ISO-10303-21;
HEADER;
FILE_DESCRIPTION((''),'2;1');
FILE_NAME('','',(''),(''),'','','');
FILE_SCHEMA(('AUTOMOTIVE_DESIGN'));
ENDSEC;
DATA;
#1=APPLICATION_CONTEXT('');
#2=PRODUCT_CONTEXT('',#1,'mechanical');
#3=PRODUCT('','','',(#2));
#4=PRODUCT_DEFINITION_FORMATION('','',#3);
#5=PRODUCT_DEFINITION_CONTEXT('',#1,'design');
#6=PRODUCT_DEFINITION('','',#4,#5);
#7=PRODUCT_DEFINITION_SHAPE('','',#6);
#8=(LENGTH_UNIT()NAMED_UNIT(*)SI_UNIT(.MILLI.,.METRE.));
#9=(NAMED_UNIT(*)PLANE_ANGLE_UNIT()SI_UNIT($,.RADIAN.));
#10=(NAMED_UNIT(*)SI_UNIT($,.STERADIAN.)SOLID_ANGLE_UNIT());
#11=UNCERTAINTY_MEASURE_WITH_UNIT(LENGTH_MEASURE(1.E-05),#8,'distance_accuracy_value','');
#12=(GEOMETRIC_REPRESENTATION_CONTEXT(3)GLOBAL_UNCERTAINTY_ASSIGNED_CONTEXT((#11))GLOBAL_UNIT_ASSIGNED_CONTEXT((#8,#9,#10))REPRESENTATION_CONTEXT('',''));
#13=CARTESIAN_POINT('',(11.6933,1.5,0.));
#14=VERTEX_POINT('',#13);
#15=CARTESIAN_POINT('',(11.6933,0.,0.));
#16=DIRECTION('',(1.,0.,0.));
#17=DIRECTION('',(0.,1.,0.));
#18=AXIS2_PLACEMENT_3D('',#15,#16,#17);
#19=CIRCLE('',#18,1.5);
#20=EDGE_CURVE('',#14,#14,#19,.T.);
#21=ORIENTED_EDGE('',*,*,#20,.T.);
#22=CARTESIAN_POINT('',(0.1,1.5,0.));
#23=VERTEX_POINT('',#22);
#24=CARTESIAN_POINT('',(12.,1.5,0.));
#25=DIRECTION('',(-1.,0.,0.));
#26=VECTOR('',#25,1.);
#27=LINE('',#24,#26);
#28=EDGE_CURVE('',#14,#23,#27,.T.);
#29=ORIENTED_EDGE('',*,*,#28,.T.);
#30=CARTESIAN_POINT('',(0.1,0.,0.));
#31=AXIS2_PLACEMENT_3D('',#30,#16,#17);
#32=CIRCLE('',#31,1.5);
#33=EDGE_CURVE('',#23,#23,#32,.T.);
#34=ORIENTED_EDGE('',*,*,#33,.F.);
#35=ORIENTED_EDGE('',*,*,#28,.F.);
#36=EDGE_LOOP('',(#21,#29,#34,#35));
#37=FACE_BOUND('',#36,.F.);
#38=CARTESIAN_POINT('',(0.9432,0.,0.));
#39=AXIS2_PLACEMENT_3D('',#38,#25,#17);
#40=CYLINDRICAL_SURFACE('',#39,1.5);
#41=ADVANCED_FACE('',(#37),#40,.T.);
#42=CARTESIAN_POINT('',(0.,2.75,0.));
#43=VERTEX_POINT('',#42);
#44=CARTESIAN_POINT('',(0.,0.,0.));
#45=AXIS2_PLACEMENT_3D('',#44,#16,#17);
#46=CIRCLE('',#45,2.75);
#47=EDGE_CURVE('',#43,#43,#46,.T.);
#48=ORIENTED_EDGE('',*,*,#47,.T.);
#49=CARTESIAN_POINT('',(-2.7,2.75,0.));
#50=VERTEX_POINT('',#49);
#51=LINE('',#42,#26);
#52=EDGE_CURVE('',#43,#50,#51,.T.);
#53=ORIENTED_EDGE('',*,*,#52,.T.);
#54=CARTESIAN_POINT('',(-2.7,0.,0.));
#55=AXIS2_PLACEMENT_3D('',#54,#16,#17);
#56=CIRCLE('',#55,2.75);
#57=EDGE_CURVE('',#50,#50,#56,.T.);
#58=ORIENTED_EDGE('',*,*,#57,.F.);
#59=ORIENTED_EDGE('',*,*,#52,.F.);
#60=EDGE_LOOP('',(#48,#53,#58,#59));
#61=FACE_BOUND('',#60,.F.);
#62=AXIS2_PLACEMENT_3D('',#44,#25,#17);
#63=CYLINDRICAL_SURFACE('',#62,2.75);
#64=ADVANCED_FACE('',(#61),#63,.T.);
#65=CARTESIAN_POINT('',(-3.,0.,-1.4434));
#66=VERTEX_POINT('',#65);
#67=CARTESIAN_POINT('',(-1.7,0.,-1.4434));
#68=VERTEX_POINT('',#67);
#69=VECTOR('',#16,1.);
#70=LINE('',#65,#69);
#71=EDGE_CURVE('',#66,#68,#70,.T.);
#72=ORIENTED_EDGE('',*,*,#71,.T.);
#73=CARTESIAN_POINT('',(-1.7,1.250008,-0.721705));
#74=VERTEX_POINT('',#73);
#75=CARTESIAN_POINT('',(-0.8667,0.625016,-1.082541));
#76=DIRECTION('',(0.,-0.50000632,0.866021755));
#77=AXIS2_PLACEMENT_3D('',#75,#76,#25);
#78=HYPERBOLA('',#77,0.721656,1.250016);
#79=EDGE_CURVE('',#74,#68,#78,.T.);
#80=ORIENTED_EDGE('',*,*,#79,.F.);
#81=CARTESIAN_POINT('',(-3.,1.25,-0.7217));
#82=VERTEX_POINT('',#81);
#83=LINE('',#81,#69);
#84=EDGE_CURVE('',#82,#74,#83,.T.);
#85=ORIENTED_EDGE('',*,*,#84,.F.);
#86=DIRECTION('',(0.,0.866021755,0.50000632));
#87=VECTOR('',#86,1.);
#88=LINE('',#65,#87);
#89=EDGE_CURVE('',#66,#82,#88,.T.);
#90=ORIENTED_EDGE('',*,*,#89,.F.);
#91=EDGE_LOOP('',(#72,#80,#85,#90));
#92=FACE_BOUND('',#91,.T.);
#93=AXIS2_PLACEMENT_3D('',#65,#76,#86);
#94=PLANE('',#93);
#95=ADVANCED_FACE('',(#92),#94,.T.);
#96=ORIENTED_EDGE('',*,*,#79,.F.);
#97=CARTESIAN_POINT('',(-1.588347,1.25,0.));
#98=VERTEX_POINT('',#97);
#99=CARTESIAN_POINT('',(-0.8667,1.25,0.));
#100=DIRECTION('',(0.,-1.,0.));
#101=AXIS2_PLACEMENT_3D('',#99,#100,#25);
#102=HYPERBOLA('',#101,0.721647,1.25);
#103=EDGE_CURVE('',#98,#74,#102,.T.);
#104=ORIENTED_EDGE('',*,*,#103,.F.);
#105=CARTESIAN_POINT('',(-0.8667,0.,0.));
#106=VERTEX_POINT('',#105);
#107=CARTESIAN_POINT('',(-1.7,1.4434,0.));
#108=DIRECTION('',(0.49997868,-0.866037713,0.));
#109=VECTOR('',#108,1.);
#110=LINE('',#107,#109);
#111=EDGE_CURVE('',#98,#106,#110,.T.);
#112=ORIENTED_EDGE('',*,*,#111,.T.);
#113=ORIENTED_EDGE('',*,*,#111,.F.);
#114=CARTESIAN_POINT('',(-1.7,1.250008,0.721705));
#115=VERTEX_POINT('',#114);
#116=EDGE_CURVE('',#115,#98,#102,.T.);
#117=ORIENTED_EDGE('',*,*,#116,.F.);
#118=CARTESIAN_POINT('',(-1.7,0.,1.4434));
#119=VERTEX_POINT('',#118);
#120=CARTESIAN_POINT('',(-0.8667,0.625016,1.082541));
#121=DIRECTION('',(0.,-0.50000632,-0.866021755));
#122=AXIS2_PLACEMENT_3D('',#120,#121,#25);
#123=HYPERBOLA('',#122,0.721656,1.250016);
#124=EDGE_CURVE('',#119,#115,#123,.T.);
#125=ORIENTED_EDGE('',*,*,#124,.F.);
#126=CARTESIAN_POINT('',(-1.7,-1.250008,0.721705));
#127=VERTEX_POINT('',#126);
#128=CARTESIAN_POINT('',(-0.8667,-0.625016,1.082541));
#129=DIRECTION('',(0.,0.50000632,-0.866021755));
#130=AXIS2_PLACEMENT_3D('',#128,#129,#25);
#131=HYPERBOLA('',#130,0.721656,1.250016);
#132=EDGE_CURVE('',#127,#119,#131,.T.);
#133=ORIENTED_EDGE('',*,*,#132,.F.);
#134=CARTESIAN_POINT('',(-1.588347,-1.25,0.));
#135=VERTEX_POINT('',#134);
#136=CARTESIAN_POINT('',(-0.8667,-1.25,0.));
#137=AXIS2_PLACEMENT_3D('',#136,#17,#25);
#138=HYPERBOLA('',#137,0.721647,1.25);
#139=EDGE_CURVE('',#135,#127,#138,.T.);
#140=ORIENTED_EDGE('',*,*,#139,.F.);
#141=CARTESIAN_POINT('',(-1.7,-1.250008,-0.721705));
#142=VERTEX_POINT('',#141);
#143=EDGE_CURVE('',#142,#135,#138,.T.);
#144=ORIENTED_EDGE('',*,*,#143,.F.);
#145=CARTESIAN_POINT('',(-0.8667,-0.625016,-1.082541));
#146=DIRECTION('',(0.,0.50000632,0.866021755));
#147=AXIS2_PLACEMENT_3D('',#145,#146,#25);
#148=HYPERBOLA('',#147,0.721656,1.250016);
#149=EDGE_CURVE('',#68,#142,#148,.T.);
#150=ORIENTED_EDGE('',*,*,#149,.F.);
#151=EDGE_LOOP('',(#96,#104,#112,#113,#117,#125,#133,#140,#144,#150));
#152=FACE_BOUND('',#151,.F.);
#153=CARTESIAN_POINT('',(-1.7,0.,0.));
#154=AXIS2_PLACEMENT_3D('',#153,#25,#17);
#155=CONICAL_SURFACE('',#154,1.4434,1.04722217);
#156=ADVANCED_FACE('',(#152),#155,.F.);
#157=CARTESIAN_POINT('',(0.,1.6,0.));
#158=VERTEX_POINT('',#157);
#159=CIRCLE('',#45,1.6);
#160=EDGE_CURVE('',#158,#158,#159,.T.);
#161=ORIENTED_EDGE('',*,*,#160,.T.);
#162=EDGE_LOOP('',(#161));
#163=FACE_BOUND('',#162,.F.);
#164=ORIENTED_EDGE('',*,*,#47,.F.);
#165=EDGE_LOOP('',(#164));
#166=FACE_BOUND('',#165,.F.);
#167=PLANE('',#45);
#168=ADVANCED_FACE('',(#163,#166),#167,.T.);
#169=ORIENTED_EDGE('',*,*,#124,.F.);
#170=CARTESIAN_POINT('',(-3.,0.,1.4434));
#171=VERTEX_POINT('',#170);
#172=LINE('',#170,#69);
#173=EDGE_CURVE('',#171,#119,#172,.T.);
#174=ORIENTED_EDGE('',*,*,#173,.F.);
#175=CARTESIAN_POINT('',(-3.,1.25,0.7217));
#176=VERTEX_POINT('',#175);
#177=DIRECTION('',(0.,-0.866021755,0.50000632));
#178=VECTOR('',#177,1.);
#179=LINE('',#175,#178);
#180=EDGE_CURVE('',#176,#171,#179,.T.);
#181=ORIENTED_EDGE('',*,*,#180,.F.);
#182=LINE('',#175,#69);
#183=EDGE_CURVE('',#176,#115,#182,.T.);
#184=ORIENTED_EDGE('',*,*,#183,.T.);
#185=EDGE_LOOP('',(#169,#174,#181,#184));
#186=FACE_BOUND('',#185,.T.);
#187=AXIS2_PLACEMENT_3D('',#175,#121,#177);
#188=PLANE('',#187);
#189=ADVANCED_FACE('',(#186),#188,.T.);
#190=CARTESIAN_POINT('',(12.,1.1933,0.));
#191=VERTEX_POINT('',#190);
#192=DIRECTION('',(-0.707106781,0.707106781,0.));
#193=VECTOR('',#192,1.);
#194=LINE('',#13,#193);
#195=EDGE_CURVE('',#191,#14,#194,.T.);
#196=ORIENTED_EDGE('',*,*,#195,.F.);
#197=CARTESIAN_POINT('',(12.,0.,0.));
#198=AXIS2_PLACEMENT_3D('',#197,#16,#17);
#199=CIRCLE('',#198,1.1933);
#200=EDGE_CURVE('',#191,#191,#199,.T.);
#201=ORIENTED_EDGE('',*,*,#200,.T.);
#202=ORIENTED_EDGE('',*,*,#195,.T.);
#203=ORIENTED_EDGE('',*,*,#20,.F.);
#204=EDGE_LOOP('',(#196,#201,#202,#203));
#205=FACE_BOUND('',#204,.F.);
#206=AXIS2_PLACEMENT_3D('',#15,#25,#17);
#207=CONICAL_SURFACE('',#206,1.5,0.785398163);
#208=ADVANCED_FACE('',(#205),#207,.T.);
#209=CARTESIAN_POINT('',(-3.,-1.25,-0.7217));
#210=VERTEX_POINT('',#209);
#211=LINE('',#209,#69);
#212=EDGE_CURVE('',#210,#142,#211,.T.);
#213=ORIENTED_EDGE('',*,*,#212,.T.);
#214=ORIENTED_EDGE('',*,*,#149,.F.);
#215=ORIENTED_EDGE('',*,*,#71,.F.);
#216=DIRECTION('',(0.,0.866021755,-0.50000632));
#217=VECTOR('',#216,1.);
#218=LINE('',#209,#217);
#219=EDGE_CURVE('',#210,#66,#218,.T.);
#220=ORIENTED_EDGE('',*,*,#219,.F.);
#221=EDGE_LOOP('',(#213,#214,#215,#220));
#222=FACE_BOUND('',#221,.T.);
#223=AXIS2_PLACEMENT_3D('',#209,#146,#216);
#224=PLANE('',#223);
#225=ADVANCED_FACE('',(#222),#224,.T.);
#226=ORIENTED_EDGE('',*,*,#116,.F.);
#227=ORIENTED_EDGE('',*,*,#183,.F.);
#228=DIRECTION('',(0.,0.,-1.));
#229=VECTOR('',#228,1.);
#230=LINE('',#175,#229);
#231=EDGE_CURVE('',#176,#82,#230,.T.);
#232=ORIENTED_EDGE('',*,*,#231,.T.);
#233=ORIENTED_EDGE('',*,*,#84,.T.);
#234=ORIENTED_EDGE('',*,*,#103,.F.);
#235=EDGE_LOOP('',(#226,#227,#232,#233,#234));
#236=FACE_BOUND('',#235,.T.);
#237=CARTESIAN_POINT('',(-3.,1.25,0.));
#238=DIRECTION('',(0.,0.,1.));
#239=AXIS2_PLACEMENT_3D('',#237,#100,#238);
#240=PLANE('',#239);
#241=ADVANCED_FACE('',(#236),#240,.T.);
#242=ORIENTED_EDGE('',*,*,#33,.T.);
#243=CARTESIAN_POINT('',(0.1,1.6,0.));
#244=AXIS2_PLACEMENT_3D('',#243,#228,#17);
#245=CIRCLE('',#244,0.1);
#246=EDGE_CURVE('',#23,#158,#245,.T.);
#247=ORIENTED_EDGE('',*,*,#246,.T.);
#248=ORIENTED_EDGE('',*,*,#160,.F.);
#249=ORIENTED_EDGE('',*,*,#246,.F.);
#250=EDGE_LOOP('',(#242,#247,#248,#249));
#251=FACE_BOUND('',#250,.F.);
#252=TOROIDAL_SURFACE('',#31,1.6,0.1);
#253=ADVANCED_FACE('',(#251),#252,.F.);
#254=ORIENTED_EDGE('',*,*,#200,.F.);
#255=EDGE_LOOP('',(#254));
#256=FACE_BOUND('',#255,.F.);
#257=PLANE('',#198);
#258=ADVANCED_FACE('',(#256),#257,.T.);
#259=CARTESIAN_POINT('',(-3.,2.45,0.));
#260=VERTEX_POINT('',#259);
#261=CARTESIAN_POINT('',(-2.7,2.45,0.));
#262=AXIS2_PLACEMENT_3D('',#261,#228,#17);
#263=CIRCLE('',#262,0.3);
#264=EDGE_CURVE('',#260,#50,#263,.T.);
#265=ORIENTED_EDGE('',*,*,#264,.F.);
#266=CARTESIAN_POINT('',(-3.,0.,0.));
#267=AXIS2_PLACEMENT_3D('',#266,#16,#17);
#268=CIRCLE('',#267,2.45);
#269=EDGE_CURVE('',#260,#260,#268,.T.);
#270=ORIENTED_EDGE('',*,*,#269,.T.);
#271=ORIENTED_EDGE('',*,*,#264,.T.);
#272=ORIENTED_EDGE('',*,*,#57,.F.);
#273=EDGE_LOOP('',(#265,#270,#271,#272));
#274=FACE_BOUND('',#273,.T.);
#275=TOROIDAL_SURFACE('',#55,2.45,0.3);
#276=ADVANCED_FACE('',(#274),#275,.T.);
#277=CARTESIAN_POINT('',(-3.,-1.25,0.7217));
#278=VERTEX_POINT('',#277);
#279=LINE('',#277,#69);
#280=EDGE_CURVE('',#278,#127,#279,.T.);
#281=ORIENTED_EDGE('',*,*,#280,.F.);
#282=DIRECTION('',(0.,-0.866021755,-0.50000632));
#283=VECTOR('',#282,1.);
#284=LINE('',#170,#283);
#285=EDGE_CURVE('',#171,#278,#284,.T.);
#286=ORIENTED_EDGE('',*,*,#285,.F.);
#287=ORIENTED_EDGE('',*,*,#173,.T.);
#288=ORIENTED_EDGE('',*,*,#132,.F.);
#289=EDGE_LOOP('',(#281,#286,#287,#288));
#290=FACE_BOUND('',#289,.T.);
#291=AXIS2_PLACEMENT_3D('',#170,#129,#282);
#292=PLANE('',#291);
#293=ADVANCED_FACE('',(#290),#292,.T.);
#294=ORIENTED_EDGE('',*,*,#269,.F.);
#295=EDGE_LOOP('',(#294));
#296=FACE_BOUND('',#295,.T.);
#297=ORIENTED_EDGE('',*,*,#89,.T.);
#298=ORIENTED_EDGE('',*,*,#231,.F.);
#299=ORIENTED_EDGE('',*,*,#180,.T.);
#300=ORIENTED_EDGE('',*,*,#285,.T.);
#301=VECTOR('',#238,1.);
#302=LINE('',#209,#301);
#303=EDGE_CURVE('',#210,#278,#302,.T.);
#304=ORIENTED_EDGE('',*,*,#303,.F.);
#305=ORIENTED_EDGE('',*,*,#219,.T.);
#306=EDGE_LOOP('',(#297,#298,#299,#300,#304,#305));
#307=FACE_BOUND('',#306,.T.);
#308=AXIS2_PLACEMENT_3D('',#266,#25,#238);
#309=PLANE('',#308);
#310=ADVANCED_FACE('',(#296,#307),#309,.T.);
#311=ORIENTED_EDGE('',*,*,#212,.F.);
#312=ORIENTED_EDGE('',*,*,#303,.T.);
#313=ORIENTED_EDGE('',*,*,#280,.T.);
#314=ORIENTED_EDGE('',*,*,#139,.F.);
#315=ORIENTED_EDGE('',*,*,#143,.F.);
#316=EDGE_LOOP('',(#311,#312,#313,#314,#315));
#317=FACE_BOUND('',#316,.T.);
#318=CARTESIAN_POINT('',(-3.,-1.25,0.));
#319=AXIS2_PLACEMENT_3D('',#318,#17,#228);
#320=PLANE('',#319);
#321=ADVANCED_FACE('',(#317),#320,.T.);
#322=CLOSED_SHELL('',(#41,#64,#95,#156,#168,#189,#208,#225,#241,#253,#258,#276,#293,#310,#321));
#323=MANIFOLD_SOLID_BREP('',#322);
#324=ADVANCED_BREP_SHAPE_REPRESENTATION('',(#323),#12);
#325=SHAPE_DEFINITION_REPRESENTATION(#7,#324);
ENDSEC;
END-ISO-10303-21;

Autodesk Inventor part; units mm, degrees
ref_plane "YZ Plane" through (0, 0, 0) normal (1, 0, 0) x (0, 1, 0)
ref_plane "XZ Plane" through (0, 0, 0) normal (0, 1, 0) x (-1, 0, 0)
sketch "Skizze1" plane through (0, 0, 0) normal (0, 0, 1) x (1, 0, 0)
  line L0 (-0.8667, 0) -> (12, 0)
  line L1 (12, 0) -> (12, 1.5)
  line L2 (12, 1.5) -> (1.25, 1.5)
  line L3 (1.25, 1.5) -> (0.9432, 1.5)
  line L4 (0.9432, 1.5) -> (0, 1.5)
  line L5 (0, 1.5) -> (0, 2.75)
  line L6 (0, 2.75) -> (-3, 2.75)
  line L7 (-3, 2.75) -> (-3, 1.4434)
  line L8 (-3, 1.4434) -> (-1.7, 1.4434)
  line L9 (-1.7, 1.4434) -> (-0.8667, 0)
  line L10 (-6, 0) -> (15, 0) projected
  line L11 (0, -0.55) -> (0, 3.3) projected
  line L12 (1.25, 1.5) -> (0, 1.5) construction
  dimension "d1" = 10.75
  dimension "d2" = 0.3068
  dimension "d3" = 3
  dimension "d4" = 1.3
  dimension "d5" = 60
  dimension "d6" = 3
  dimension "d7" = 3
  dimension "d8" = 2.8868
  dimension "d9" = 5.5
  dimension "d26" = 12
revolve "Körper" add sketch "Skizze1" angle 360 about axis through (-0.8667, 0, 0) along (1, 0, 0)
sketch "Skizze2" plane through (-3, 0, 0) normal (-1, 0, 0) x (0, 0, 1)
  circle A0 centre (0, 0) radius 1.4434 projected
  line L0 (0, -3.85) -> (0, 3.85) projected
  line L1 (-3.85, 0) -> (3.85, 0) projected
  line L2 (1.4434, 0) -> (0.7217, -1.25)
  line L3 (0.7217, -1.25) -> (-0.7217, -1.25)
  line L4 (-0.7217, -1.25) -> (-1.4434, 0)
  line L5 (-1.4434, 0) -> (-0.7217, 1.25)
  line L6 (-0.7217, 1.25) -> (0.7217, 1.25)
  line L7 (0.7217, 1.25) -> (1.4434, 0)
  point P0 (0, 0)
extrude "Loch" add sketch "Skizze2" against normal up to next contours L7 A0 | A0 L2 | L6 L0 A0 | A0 L0 L3 | L0 L6 A0 | A0 L3 L0 | L4 A0 | A0 L5
fillet "Rundung1" radius 0.3 1 edges at (-3, -2.75, 0)
thread "Gewinde" size "M3x0.5" class "6g" standard "ISO Metric profile" length 10.75
chamfer "Fase1" distance 0.3067 distance2 0.3067 1 edges at (12, -1.5, 0) measured on face at (12, -0.6587, -0.1791)
ref_plane "Work Plane1" through (29, 0, 0) normal (0, -1, 0) x (1, 0, 0)
fillet "Fillet2" radius 0.1 1 edges at (0, -1.5, 0)
sketch "Skizze4" plane through (12, 0, 0) normal (1, 0, 0) x (0, 0, -1)
  point P0 (0, 0)
equation "\"d1\" = GEL"
equation "\"d3\" = KOH"
equation "\"d4\" = INTI"
equation "\"d6\" = GD"
equation "\"d7\" = BDM"
equation "\"d8\" = 1.1547 * SW"
equation "\"d9\" = KOD"
equation "\"d26\" = NLG"
equation "\"d30\" = R"
equation "\"d17\" = RR"
equation "\"d13\" = GEL"
equation "\"d15\" = -0.5 * SPD + 0.5 * GD"
equation "\"d16\" = GUL"
equation "\"GD\" = NND"
equation "\"NLG\" = 12"
equation "\"GEL\" = 10.75"
equation "\"KOD\" = 5.5"
equation "\"KOH\" = 3"
equation "\"INTI\" = 1.3"
equation "\"GAL\" = 0.61345 * PTC"
equation "\"GUL\" = 0.61345 * PTC"
equation "\"BDM\" = NND"
equation "\"SW\" = 2.5"
equation "\"RR\" = 0.3"
equation "\"SPD\" = NND - 1.2269 * PTC"
equation "\"R\" = 0.1"
equation "\"TOA\" = 30deg"
equation "\"GD1\" = THREADDIA - 1.2269 * PTC"
equation "\"THREADDIA\" = 3"
equation "\"FAWI\" = 45deg"
equation "\"ANG\" = 120deg"
equation "\"PTC\" = 0.5"
equation "\"NND\" = 3"
equation "\"E0\" = 1.155 * SW"
properties part number "DIN 912 - M3 x 12" material "Stahl, weich"
